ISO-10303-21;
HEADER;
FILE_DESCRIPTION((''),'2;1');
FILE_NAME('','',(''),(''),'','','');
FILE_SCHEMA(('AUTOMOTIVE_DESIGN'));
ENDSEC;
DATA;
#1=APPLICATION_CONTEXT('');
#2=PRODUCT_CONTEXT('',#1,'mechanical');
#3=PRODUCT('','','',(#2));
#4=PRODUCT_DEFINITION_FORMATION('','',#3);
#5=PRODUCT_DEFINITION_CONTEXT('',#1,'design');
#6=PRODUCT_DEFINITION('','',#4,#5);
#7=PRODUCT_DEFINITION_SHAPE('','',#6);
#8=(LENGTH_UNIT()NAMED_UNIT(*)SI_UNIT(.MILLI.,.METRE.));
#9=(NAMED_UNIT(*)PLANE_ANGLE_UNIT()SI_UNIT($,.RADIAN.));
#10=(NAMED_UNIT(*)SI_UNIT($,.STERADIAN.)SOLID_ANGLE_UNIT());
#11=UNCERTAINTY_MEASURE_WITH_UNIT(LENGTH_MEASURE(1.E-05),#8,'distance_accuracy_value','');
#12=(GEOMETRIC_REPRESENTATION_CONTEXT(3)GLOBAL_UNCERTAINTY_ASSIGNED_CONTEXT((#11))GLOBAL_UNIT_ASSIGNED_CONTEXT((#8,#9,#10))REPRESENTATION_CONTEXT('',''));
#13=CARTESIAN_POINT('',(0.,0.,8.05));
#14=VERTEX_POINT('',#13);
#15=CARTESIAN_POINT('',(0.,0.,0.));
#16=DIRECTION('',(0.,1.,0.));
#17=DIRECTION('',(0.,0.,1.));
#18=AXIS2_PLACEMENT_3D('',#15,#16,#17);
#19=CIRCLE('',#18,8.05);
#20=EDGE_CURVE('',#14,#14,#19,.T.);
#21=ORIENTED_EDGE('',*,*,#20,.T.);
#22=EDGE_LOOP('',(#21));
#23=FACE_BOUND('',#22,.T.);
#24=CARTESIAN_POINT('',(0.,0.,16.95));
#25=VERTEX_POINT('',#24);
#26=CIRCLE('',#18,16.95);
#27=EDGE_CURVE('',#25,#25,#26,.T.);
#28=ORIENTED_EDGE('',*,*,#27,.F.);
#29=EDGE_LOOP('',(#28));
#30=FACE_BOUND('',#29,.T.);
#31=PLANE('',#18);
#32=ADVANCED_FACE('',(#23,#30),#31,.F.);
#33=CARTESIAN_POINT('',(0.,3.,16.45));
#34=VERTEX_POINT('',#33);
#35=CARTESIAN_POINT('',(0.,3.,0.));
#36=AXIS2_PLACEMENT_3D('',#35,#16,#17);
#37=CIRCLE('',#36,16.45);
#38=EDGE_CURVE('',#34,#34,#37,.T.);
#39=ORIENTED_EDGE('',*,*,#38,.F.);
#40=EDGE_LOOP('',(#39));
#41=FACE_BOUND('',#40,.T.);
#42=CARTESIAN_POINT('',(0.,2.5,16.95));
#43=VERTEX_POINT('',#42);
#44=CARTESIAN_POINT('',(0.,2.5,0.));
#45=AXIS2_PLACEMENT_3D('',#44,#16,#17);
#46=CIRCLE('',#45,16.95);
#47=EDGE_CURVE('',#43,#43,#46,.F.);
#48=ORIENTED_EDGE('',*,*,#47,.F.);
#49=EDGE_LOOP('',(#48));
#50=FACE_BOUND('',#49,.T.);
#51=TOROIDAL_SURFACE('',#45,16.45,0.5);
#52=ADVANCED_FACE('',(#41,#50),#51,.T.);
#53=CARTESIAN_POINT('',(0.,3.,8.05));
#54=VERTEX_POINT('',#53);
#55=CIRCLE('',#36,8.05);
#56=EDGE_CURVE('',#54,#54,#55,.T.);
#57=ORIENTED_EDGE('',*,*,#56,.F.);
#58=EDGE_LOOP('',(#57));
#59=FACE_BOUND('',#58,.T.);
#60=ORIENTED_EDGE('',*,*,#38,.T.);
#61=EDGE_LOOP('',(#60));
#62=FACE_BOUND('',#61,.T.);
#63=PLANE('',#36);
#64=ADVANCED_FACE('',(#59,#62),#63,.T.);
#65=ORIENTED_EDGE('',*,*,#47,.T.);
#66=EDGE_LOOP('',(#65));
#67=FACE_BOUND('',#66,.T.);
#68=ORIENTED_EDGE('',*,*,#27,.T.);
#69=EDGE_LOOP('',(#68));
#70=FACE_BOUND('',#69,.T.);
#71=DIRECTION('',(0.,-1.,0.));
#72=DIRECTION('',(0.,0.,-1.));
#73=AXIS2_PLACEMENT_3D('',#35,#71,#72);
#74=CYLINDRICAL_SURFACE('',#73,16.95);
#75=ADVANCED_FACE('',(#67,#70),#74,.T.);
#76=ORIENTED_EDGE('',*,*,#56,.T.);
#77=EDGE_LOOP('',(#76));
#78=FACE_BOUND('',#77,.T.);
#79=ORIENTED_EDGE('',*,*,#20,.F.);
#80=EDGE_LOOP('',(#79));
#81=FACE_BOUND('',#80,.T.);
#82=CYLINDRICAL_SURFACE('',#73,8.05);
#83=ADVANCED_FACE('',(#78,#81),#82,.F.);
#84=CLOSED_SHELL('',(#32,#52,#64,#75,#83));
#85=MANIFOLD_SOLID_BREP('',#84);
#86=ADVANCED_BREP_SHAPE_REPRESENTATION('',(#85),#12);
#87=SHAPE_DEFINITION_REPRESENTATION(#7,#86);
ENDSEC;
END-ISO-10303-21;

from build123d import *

# Parameters (mm, degrees)
SKETCH_1_R      = 16.95
SKETCH_1_R_2    = 8.05
EXTRUDE_1_DEPTH = 3
FILLET_1_R      = 0.5


with BuildPart() as part:
    # 草图1 → 凸台-拉伸1 (new body)
    with BuildSketch(Plane(origin=(0, 0, 0), x_dir=(1, 0, 0), z_dir=(0, 1, 0))):
        Circle(SKETCH_1_R)
        Circle(SKETCH_1_R_2, mode=Mode.SUBTRACT)
    extrude(amount=EXTRUDE_1_DEPTH)

    # 圆角1
    fillet_1_edges = [part.edges().sort_by_distance(p)[0] for p in [
        (-16.95, 3, 0),
    ]]
    fillet(fillet_1_edges, radius=FILLET_1_R)


solid = part.part
